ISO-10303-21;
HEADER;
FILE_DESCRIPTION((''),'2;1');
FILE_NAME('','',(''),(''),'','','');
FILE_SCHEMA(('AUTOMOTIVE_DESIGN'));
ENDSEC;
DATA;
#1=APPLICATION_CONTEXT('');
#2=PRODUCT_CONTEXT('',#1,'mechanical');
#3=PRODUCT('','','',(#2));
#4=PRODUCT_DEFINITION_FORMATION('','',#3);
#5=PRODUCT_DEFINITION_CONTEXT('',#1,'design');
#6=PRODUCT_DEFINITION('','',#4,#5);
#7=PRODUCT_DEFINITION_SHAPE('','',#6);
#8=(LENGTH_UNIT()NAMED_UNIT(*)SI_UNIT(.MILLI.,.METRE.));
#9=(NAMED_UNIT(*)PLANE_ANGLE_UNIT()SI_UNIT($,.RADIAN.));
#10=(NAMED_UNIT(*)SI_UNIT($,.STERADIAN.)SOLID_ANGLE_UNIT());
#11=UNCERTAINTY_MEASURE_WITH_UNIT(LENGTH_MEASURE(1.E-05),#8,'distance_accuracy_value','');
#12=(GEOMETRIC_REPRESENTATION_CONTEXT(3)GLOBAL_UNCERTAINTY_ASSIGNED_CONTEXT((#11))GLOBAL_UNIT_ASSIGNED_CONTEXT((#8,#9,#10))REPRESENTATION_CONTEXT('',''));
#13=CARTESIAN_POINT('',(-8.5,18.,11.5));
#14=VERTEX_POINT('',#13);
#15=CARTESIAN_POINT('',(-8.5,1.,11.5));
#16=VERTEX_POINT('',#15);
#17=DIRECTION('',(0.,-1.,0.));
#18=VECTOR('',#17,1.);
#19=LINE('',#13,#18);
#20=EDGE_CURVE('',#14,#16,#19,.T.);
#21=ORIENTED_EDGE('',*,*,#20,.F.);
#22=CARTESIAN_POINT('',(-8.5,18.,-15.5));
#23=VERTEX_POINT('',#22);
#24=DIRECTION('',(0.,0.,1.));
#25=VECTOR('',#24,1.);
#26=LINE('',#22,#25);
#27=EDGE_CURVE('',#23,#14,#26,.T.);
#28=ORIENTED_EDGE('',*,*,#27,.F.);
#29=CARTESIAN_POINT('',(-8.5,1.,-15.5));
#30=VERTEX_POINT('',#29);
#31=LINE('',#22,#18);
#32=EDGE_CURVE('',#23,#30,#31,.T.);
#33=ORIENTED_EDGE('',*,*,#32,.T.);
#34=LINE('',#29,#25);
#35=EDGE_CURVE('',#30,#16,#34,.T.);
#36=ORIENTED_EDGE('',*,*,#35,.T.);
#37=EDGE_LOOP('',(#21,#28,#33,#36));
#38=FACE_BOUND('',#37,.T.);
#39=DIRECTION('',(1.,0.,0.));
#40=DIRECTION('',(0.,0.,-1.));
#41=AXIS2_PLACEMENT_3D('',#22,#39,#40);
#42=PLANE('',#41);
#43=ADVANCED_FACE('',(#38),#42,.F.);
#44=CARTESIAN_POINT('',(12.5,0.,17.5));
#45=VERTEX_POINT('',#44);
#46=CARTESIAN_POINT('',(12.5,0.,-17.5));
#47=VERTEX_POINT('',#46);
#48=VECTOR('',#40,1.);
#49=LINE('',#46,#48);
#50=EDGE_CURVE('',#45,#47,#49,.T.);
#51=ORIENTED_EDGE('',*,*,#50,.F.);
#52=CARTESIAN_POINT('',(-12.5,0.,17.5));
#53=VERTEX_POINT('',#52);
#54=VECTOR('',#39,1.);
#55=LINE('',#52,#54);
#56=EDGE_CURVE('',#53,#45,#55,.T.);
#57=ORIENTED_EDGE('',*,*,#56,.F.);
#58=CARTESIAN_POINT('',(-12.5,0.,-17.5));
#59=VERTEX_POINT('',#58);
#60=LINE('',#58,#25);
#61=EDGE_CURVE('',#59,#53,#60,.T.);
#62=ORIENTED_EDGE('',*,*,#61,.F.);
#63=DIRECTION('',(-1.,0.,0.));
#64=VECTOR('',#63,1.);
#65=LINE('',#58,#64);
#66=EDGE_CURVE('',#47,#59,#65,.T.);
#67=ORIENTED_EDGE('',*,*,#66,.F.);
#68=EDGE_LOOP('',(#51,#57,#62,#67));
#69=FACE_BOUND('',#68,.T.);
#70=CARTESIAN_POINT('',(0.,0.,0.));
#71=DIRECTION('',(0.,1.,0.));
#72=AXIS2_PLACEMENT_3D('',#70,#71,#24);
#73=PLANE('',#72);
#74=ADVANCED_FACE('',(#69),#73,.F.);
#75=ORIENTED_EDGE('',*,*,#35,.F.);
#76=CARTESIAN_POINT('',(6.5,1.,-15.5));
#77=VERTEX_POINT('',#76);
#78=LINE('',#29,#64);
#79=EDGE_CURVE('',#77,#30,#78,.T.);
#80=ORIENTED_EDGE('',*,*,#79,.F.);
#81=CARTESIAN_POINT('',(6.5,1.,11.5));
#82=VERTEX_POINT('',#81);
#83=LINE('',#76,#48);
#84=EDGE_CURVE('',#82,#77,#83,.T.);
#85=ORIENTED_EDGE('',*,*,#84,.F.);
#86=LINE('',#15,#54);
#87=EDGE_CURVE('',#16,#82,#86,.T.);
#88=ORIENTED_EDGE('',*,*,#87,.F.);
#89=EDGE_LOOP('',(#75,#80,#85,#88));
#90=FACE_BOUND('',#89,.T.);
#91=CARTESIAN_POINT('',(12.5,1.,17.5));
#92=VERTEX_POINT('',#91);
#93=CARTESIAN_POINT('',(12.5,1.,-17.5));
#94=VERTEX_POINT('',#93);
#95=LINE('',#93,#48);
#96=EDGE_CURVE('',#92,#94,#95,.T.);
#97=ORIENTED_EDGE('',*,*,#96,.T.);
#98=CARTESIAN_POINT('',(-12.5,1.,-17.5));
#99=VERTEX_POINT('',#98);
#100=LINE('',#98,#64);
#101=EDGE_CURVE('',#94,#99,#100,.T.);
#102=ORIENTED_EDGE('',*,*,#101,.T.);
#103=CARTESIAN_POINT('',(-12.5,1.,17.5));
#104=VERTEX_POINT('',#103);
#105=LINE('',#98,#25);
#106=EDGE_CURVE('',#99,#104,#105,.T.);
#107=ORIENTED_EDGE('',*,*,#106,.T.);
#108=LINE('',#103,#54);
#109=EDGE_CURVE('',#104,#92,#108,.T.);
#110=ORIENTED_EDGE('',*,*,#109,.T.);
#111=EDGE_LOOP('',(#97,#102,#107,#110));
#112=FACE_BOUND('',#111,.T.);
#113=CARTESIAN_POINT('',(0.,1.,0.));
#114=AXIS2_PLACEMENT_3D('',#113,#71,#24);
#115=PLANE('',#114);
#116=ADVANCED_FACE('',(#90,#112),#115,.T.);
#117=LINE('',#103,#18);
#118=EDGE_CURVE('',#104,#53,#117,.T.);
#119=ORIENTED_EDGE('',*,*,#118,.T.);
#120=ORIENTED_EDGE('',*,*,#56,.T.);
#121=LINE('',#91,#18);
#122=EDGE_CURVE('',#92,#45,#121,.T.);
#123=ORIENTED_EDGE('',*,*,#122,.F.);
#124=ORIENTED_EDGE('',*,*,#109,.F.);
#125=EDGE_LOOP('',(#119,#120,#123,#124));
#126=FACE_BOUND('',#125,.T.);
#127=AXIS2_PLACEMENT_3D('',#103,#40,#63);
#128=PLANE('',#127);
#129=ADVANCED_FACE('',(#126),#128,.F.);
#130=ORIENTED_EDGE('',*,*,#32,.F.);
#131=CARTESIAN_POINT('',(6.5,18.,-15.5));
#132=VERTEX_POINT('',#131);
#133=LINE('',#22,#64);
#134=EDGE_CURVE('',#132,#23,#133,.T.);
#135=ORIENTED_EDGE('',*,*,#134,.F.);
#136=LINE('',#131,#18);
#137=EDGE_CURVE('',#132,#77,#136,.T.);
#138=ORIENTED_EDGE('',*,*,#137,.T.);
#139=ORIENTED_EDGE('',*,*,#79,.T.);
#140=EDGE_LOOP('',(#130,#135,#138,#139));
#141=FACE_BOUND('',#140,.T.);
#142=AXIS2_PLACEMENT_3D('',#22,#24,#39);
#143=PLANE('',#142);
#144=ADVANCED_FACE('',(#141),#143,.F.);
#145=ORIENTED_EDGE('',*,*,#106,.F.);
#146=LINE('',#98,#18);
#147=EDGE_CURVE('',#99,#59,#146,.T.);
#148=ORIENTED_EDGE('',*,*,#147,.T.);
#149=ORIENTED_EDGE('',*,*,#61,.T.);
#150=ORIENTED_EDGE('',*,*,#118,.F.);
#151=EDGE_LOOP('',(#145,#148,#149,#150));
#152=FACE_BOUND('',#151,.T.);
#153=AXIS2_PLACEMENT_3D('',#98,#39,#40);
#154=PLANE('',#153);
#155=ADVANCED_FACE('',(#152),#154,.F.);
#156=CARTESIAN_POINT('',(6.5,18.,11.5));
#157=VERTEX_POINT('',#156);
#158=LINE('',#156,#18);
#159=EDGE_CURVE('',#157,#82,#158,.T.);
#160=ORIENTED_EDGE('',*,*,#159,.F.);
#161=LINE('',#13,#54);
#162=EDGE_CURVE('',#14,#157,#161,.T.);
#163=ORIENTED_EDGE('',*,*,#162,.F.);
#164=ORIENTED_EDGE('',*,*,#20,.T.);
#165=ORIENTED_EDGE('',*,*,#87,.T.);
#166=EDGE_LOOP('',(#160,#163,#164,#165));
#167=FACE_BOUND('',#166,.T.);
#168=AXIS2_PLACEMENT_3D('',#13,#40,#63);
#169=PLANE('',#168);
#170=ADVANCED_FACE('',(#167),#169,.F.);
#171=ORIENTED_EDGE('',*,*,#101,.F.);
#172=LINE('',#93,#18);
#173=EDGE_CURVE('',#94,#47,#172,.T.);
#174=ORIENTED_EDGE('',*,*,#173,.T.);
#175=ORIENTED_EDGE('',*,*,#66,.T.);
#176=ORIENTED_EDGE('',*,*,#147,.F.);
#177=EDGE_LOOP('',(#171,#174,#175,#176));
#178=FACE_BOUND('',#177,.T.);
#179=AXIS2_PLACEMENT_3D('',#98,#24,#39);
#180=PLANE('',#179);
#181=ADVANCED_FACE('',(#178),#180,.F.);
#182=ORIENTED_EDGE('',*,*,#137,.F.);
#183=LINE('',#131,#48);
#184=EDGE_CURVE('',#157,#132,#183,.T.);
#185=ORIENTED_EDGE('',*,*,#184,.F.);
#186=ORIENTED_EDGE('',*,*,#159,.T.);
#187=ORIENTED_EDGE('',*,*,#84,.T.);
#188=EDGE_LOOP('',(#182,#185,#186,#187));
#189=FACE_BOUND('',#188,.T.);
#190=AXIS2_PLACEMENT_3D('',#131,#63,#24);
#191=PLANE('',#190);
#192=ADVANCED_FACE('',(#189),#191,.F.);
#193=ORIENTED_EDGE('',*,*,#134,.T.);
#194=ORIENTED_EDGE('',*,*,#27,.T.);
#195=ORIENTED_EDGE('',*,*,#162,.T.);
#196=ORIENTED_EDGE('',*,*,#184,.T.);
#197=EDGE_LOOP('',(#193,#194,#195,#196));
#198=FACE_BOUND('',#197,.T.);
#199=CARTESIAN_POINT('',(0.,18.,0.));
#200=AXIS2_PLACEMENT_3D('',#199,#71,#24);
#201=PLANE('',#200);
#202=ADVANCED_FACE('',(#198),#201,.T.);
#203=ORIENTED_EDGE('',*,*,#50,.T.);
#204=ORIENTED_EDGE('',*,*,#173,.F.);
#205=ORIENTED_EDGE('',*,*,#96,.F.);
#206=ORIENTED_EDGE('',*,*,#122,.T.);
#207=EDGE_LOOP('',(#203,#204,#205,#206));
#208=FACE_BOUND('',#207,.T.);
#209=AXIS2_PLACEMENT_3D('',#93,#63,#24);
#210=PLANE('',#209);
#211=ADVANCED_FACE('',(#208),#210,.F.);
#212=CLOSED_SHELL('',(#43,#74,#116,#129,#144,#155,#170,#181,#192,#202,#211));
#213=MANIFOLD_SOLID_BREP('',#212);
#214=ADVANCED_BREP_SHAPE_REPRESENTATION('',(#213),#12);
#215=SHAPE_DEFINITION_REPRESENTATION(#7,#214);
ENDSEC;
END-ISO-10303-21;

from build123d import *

# Parameters (mm, degrees)
ESBO_O1_W                = 25
ESBO_O1_H                = 35
RESSALTO_EXTRUS_O1_DEPTH = 1
ESBO_O2_W                = 15
ESBO_O2_H                = 27
RESSALTO_EXTRUS_O2_DEPTH = 17


with BuildPart() as part:
    # Esboço1 → Ressalto-extrusão1 (new body)
    with BuildSketch(Plane(origin=(0, 0, 0), x_dir=(1, 0, 0), z_dir=(0, 1, 0))):
        Rectangle(ESBO_O1_W, ESBO_O1_H)
    extrude(amount=RESSALTO_EXTRUS_O1_DEPTH)

    # Esboço2 → Ressalto-extrusão2 (add)
    with BuildSketch(Plane(origin=(0, 1, 0), x_dir=(1, 0, 0), z_dir=(0, 1, 0))):
        with Locations((-1, 2)):
            Rectangle(ESBO_O2_W, ESBO_O2_H)
    extrude(amount=RESSALTO_EXTRUS_O2_DEPTH)


solid = part.part
